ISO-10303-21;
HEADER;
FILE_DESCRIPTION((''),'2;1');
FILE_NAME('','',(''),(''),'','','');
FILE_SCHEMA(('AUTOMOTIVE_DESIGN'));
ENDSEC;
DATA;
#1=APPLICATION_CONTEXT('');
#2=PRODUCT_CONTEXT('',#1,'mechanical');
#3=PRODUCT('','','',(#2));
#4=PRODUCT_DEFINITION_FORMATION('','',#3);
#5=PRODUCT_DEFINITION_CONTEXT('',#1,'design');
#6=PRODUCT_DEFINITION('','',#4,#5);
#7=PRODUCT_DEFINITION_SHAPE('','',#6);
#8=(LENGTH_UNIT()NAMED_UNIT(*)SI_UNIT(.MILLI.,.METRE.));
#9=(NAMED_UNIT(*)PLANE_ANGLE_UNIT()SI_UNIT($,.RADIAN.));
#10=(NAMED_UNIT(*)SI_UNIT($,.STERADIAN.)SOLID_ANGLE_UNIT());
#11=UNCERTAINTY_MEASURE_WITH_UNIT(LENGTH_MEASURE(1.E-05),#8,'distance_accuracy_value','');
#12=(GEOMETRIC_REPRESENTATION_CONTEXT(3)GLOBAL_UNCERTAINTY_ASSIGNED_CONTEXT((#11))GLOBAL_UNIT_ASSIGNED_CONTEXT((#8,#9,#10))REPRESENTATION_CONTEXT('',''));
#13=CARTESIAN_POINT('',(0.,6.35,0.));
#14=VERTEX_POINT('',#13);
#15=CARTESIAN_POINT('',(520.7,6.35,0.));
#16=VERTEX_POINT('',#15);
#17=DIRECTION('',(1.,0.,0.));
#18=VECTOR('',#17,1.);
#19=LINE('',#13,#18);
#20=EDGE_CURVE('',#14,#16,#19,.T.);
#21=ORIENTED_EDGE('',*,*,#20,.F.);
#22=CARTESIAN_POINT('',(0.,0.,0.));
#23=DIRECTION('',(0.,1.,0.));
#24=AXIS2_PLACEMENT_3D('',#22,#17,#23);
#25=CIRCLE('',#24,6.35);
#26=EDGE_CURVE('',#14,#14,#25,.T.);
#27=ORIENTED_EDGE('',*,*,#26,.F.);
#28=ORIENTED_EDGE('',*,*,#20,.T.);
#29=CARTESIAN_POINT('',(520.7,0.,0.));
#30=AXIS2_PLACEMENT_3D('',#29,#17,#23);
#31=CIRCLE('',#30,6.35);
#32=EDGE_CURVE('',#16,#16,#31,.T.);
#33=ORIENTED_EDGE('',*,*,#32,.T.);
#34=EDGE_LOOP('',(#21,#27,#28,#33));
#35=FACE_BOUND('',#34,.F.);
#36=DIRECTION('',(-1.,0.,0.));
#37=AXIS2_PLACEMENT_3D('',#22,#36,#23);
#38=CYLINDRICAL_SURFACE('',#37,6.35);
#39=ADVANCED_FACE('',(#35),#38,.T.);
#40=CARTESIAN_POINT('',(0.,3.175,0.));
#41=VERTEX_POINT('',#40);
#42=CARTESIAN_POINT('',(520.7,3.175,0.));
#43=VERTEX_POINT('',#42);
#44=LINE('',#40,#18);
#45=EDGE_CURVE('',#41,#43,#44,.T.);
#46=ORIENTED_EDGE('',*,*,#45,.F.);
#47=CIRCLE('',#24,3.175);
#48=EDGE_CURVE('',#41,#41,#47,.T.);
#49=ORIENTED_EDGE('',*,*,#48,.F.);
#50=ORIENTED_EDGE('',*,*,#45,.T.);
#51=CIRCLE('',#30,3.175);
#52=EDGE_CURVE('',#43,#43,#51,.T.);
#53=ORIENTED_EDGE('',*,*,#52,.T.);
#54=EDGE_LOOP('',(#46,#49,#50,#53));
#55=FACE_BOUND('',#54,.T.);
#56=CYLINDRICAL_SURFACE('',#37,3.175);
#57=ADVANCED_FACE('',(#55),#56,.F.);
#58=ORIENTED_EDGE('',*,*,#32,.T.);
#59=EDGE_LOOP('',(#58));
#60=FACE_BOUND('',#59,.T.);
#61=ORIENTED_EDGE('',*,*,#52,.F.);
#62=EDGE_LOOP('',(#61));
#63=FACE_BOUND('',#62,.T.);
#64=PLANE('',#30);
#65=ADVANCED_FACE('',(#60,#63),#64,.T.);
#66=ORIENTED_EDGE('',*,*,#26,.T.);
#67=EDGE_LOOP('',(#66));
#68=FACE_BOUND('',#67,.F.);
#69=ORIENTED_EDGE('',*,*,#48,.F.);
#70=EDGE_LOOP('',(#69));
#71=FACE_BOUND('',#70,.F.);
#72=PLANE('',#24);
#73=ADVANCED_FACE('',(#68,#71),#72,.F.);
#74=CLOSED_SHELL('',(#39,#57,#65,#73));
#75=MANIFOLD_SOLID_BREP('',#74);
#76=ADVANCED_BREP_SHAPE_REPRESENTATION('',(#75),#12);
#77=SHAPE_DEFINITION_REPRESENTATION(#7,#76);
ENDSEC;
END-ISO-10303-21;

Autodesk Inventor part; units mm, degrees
ref_plane "YZ Plane" through (0, 0, 0) normal (1, 0, 0) x (0, 1, 0)
ref_plane "XZ Plane" through (0, 0, 0) normal (0, 1, 0) x (-1, 0, 0)
ref_plane "XY Plane" through (0, 0, 0) normal (0, 0, 1) x (1, 0, 0)
sketch "Sketch1" plane through (0, 0, 0) normal (1, 0, 0) x (0, 1, 0)
  circle A0 centre (0, 0) radius 6.35
  circle A1 centre (0, 0) radius 3.175
  dimension "d0" = 12.7
  dimension "d1" = 6.35
extrude "Extrusion1" add sketch "Sketch1" along normal blind 520.7
properties part number "Churro Cross Brace"
